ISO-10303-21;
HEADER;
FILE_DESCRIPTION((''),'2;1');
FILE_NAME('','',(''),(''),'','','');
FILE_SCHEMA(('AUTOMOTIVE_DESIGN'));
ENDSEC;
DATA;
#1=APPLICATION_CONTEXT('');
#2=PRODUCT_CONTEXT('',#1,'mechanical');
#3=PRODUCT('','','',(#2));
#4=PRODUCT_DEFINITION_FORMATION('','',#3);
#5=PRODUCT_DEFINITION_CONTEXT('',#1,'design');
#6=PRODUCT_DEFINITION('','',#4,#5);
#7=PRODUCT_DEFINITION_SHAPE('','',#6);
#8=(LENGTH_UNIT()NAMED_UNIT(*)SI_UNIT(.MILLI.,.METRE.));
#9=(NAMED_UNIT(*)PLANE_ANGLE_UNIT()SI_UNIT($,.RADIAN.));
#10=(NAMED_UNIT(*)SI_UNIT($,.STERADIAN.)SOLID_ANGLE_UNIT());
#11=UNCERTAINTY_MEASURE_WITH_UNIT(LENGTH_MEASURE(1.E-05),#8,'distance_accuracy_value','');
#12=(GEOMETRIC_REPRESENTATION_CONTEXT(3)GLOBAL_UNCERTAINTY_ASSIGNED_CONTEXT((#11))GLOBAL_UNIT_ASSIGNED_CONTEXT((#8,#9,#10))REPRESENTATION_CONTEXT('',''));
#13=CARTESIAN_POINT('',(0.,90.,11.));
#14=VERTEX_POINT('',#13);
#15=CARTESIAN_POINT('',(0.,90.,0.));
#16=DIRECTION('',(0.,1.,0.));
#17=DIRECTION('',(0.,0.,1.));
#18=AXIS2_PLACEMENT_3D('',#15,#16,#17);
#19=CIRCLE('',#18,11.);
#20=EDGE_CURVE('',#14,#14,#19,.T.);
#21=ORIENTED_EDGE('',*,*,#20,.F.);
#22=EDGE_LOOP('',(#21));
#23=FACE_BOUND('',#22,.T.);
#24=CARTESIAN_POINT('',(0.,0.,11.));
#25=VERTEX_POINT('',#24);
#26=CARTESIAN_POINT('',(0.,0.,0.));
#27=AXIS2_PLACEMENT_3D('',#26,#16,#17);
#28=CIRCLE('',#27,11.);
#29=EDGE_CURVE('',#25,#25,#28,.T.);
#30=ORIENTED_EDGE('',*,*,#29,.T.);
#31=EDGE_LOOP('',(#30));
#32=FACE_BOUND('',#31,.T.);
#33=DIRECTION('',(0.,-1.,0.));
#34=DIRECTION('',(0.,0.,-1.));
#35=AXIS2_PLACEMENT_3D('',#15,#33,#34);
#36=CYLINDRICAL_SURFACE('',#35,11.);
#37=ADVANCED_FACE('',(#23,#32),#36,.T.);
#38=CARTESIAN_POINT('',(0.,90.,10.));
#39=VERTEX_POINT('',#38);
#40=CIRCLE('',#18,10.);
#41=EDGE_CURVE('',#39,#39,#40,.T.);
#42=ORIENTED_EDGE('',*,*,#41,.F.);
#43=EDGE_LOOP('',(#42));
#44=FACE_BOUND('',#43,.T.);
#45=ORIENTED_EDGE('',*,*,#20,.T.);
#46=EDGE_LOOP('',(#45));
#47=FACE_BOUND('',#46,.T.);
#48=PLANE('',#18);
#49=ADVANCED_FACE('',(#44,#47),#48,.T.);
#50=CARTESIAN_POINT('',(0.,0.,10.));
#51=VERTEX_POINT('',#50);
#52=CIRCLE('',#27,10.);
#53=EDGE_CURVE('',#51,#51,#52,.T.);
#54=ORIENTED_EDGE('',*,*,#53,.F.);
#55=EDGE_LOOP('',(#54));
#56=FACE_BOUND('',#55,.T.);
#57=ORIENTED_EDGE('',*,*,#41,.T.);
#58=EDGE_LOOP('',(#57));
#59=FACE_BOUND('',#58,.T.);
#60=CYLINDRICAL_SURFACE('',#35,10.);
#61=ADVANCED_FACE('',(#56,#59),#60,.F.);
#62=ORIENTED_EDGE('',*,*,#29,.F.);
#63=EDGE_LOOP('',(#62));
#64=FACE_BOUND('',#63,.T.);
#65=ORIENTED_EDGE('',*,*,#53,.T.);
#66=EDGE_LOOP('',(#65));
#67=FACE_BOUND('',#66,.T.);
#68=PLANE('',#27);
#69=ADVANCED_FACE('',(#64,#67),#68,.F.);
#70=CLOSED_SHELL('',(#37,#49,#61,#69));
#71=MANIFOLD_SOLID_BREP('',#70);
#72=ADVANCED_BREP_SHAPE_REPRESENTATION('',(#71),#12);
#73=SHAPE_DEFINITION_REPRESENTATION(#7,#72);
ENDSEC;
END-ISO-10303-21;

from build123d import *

# Parameters (mm, degrees)
SKETCH_1_R      = 11
SKETCH_1_R_2    = 10
EXTRUDE_1_DEPTH = 90


with BuildPart() as part:
    # 草图1 → 凸台-拉伸1 (new body)
    with BuildSketch(Plane(origin=(0, 0, 0), x_dir=(1, 0, 0), z_dir=(0, 1, 0))):
        Circle(SKETCH_1_R)
        Circle(SKETCH_1_R_2, mode=Mode.SUBTRACT)
    extrude(amount=EXTRUDE_1_DEPTH)


solid = part.part
